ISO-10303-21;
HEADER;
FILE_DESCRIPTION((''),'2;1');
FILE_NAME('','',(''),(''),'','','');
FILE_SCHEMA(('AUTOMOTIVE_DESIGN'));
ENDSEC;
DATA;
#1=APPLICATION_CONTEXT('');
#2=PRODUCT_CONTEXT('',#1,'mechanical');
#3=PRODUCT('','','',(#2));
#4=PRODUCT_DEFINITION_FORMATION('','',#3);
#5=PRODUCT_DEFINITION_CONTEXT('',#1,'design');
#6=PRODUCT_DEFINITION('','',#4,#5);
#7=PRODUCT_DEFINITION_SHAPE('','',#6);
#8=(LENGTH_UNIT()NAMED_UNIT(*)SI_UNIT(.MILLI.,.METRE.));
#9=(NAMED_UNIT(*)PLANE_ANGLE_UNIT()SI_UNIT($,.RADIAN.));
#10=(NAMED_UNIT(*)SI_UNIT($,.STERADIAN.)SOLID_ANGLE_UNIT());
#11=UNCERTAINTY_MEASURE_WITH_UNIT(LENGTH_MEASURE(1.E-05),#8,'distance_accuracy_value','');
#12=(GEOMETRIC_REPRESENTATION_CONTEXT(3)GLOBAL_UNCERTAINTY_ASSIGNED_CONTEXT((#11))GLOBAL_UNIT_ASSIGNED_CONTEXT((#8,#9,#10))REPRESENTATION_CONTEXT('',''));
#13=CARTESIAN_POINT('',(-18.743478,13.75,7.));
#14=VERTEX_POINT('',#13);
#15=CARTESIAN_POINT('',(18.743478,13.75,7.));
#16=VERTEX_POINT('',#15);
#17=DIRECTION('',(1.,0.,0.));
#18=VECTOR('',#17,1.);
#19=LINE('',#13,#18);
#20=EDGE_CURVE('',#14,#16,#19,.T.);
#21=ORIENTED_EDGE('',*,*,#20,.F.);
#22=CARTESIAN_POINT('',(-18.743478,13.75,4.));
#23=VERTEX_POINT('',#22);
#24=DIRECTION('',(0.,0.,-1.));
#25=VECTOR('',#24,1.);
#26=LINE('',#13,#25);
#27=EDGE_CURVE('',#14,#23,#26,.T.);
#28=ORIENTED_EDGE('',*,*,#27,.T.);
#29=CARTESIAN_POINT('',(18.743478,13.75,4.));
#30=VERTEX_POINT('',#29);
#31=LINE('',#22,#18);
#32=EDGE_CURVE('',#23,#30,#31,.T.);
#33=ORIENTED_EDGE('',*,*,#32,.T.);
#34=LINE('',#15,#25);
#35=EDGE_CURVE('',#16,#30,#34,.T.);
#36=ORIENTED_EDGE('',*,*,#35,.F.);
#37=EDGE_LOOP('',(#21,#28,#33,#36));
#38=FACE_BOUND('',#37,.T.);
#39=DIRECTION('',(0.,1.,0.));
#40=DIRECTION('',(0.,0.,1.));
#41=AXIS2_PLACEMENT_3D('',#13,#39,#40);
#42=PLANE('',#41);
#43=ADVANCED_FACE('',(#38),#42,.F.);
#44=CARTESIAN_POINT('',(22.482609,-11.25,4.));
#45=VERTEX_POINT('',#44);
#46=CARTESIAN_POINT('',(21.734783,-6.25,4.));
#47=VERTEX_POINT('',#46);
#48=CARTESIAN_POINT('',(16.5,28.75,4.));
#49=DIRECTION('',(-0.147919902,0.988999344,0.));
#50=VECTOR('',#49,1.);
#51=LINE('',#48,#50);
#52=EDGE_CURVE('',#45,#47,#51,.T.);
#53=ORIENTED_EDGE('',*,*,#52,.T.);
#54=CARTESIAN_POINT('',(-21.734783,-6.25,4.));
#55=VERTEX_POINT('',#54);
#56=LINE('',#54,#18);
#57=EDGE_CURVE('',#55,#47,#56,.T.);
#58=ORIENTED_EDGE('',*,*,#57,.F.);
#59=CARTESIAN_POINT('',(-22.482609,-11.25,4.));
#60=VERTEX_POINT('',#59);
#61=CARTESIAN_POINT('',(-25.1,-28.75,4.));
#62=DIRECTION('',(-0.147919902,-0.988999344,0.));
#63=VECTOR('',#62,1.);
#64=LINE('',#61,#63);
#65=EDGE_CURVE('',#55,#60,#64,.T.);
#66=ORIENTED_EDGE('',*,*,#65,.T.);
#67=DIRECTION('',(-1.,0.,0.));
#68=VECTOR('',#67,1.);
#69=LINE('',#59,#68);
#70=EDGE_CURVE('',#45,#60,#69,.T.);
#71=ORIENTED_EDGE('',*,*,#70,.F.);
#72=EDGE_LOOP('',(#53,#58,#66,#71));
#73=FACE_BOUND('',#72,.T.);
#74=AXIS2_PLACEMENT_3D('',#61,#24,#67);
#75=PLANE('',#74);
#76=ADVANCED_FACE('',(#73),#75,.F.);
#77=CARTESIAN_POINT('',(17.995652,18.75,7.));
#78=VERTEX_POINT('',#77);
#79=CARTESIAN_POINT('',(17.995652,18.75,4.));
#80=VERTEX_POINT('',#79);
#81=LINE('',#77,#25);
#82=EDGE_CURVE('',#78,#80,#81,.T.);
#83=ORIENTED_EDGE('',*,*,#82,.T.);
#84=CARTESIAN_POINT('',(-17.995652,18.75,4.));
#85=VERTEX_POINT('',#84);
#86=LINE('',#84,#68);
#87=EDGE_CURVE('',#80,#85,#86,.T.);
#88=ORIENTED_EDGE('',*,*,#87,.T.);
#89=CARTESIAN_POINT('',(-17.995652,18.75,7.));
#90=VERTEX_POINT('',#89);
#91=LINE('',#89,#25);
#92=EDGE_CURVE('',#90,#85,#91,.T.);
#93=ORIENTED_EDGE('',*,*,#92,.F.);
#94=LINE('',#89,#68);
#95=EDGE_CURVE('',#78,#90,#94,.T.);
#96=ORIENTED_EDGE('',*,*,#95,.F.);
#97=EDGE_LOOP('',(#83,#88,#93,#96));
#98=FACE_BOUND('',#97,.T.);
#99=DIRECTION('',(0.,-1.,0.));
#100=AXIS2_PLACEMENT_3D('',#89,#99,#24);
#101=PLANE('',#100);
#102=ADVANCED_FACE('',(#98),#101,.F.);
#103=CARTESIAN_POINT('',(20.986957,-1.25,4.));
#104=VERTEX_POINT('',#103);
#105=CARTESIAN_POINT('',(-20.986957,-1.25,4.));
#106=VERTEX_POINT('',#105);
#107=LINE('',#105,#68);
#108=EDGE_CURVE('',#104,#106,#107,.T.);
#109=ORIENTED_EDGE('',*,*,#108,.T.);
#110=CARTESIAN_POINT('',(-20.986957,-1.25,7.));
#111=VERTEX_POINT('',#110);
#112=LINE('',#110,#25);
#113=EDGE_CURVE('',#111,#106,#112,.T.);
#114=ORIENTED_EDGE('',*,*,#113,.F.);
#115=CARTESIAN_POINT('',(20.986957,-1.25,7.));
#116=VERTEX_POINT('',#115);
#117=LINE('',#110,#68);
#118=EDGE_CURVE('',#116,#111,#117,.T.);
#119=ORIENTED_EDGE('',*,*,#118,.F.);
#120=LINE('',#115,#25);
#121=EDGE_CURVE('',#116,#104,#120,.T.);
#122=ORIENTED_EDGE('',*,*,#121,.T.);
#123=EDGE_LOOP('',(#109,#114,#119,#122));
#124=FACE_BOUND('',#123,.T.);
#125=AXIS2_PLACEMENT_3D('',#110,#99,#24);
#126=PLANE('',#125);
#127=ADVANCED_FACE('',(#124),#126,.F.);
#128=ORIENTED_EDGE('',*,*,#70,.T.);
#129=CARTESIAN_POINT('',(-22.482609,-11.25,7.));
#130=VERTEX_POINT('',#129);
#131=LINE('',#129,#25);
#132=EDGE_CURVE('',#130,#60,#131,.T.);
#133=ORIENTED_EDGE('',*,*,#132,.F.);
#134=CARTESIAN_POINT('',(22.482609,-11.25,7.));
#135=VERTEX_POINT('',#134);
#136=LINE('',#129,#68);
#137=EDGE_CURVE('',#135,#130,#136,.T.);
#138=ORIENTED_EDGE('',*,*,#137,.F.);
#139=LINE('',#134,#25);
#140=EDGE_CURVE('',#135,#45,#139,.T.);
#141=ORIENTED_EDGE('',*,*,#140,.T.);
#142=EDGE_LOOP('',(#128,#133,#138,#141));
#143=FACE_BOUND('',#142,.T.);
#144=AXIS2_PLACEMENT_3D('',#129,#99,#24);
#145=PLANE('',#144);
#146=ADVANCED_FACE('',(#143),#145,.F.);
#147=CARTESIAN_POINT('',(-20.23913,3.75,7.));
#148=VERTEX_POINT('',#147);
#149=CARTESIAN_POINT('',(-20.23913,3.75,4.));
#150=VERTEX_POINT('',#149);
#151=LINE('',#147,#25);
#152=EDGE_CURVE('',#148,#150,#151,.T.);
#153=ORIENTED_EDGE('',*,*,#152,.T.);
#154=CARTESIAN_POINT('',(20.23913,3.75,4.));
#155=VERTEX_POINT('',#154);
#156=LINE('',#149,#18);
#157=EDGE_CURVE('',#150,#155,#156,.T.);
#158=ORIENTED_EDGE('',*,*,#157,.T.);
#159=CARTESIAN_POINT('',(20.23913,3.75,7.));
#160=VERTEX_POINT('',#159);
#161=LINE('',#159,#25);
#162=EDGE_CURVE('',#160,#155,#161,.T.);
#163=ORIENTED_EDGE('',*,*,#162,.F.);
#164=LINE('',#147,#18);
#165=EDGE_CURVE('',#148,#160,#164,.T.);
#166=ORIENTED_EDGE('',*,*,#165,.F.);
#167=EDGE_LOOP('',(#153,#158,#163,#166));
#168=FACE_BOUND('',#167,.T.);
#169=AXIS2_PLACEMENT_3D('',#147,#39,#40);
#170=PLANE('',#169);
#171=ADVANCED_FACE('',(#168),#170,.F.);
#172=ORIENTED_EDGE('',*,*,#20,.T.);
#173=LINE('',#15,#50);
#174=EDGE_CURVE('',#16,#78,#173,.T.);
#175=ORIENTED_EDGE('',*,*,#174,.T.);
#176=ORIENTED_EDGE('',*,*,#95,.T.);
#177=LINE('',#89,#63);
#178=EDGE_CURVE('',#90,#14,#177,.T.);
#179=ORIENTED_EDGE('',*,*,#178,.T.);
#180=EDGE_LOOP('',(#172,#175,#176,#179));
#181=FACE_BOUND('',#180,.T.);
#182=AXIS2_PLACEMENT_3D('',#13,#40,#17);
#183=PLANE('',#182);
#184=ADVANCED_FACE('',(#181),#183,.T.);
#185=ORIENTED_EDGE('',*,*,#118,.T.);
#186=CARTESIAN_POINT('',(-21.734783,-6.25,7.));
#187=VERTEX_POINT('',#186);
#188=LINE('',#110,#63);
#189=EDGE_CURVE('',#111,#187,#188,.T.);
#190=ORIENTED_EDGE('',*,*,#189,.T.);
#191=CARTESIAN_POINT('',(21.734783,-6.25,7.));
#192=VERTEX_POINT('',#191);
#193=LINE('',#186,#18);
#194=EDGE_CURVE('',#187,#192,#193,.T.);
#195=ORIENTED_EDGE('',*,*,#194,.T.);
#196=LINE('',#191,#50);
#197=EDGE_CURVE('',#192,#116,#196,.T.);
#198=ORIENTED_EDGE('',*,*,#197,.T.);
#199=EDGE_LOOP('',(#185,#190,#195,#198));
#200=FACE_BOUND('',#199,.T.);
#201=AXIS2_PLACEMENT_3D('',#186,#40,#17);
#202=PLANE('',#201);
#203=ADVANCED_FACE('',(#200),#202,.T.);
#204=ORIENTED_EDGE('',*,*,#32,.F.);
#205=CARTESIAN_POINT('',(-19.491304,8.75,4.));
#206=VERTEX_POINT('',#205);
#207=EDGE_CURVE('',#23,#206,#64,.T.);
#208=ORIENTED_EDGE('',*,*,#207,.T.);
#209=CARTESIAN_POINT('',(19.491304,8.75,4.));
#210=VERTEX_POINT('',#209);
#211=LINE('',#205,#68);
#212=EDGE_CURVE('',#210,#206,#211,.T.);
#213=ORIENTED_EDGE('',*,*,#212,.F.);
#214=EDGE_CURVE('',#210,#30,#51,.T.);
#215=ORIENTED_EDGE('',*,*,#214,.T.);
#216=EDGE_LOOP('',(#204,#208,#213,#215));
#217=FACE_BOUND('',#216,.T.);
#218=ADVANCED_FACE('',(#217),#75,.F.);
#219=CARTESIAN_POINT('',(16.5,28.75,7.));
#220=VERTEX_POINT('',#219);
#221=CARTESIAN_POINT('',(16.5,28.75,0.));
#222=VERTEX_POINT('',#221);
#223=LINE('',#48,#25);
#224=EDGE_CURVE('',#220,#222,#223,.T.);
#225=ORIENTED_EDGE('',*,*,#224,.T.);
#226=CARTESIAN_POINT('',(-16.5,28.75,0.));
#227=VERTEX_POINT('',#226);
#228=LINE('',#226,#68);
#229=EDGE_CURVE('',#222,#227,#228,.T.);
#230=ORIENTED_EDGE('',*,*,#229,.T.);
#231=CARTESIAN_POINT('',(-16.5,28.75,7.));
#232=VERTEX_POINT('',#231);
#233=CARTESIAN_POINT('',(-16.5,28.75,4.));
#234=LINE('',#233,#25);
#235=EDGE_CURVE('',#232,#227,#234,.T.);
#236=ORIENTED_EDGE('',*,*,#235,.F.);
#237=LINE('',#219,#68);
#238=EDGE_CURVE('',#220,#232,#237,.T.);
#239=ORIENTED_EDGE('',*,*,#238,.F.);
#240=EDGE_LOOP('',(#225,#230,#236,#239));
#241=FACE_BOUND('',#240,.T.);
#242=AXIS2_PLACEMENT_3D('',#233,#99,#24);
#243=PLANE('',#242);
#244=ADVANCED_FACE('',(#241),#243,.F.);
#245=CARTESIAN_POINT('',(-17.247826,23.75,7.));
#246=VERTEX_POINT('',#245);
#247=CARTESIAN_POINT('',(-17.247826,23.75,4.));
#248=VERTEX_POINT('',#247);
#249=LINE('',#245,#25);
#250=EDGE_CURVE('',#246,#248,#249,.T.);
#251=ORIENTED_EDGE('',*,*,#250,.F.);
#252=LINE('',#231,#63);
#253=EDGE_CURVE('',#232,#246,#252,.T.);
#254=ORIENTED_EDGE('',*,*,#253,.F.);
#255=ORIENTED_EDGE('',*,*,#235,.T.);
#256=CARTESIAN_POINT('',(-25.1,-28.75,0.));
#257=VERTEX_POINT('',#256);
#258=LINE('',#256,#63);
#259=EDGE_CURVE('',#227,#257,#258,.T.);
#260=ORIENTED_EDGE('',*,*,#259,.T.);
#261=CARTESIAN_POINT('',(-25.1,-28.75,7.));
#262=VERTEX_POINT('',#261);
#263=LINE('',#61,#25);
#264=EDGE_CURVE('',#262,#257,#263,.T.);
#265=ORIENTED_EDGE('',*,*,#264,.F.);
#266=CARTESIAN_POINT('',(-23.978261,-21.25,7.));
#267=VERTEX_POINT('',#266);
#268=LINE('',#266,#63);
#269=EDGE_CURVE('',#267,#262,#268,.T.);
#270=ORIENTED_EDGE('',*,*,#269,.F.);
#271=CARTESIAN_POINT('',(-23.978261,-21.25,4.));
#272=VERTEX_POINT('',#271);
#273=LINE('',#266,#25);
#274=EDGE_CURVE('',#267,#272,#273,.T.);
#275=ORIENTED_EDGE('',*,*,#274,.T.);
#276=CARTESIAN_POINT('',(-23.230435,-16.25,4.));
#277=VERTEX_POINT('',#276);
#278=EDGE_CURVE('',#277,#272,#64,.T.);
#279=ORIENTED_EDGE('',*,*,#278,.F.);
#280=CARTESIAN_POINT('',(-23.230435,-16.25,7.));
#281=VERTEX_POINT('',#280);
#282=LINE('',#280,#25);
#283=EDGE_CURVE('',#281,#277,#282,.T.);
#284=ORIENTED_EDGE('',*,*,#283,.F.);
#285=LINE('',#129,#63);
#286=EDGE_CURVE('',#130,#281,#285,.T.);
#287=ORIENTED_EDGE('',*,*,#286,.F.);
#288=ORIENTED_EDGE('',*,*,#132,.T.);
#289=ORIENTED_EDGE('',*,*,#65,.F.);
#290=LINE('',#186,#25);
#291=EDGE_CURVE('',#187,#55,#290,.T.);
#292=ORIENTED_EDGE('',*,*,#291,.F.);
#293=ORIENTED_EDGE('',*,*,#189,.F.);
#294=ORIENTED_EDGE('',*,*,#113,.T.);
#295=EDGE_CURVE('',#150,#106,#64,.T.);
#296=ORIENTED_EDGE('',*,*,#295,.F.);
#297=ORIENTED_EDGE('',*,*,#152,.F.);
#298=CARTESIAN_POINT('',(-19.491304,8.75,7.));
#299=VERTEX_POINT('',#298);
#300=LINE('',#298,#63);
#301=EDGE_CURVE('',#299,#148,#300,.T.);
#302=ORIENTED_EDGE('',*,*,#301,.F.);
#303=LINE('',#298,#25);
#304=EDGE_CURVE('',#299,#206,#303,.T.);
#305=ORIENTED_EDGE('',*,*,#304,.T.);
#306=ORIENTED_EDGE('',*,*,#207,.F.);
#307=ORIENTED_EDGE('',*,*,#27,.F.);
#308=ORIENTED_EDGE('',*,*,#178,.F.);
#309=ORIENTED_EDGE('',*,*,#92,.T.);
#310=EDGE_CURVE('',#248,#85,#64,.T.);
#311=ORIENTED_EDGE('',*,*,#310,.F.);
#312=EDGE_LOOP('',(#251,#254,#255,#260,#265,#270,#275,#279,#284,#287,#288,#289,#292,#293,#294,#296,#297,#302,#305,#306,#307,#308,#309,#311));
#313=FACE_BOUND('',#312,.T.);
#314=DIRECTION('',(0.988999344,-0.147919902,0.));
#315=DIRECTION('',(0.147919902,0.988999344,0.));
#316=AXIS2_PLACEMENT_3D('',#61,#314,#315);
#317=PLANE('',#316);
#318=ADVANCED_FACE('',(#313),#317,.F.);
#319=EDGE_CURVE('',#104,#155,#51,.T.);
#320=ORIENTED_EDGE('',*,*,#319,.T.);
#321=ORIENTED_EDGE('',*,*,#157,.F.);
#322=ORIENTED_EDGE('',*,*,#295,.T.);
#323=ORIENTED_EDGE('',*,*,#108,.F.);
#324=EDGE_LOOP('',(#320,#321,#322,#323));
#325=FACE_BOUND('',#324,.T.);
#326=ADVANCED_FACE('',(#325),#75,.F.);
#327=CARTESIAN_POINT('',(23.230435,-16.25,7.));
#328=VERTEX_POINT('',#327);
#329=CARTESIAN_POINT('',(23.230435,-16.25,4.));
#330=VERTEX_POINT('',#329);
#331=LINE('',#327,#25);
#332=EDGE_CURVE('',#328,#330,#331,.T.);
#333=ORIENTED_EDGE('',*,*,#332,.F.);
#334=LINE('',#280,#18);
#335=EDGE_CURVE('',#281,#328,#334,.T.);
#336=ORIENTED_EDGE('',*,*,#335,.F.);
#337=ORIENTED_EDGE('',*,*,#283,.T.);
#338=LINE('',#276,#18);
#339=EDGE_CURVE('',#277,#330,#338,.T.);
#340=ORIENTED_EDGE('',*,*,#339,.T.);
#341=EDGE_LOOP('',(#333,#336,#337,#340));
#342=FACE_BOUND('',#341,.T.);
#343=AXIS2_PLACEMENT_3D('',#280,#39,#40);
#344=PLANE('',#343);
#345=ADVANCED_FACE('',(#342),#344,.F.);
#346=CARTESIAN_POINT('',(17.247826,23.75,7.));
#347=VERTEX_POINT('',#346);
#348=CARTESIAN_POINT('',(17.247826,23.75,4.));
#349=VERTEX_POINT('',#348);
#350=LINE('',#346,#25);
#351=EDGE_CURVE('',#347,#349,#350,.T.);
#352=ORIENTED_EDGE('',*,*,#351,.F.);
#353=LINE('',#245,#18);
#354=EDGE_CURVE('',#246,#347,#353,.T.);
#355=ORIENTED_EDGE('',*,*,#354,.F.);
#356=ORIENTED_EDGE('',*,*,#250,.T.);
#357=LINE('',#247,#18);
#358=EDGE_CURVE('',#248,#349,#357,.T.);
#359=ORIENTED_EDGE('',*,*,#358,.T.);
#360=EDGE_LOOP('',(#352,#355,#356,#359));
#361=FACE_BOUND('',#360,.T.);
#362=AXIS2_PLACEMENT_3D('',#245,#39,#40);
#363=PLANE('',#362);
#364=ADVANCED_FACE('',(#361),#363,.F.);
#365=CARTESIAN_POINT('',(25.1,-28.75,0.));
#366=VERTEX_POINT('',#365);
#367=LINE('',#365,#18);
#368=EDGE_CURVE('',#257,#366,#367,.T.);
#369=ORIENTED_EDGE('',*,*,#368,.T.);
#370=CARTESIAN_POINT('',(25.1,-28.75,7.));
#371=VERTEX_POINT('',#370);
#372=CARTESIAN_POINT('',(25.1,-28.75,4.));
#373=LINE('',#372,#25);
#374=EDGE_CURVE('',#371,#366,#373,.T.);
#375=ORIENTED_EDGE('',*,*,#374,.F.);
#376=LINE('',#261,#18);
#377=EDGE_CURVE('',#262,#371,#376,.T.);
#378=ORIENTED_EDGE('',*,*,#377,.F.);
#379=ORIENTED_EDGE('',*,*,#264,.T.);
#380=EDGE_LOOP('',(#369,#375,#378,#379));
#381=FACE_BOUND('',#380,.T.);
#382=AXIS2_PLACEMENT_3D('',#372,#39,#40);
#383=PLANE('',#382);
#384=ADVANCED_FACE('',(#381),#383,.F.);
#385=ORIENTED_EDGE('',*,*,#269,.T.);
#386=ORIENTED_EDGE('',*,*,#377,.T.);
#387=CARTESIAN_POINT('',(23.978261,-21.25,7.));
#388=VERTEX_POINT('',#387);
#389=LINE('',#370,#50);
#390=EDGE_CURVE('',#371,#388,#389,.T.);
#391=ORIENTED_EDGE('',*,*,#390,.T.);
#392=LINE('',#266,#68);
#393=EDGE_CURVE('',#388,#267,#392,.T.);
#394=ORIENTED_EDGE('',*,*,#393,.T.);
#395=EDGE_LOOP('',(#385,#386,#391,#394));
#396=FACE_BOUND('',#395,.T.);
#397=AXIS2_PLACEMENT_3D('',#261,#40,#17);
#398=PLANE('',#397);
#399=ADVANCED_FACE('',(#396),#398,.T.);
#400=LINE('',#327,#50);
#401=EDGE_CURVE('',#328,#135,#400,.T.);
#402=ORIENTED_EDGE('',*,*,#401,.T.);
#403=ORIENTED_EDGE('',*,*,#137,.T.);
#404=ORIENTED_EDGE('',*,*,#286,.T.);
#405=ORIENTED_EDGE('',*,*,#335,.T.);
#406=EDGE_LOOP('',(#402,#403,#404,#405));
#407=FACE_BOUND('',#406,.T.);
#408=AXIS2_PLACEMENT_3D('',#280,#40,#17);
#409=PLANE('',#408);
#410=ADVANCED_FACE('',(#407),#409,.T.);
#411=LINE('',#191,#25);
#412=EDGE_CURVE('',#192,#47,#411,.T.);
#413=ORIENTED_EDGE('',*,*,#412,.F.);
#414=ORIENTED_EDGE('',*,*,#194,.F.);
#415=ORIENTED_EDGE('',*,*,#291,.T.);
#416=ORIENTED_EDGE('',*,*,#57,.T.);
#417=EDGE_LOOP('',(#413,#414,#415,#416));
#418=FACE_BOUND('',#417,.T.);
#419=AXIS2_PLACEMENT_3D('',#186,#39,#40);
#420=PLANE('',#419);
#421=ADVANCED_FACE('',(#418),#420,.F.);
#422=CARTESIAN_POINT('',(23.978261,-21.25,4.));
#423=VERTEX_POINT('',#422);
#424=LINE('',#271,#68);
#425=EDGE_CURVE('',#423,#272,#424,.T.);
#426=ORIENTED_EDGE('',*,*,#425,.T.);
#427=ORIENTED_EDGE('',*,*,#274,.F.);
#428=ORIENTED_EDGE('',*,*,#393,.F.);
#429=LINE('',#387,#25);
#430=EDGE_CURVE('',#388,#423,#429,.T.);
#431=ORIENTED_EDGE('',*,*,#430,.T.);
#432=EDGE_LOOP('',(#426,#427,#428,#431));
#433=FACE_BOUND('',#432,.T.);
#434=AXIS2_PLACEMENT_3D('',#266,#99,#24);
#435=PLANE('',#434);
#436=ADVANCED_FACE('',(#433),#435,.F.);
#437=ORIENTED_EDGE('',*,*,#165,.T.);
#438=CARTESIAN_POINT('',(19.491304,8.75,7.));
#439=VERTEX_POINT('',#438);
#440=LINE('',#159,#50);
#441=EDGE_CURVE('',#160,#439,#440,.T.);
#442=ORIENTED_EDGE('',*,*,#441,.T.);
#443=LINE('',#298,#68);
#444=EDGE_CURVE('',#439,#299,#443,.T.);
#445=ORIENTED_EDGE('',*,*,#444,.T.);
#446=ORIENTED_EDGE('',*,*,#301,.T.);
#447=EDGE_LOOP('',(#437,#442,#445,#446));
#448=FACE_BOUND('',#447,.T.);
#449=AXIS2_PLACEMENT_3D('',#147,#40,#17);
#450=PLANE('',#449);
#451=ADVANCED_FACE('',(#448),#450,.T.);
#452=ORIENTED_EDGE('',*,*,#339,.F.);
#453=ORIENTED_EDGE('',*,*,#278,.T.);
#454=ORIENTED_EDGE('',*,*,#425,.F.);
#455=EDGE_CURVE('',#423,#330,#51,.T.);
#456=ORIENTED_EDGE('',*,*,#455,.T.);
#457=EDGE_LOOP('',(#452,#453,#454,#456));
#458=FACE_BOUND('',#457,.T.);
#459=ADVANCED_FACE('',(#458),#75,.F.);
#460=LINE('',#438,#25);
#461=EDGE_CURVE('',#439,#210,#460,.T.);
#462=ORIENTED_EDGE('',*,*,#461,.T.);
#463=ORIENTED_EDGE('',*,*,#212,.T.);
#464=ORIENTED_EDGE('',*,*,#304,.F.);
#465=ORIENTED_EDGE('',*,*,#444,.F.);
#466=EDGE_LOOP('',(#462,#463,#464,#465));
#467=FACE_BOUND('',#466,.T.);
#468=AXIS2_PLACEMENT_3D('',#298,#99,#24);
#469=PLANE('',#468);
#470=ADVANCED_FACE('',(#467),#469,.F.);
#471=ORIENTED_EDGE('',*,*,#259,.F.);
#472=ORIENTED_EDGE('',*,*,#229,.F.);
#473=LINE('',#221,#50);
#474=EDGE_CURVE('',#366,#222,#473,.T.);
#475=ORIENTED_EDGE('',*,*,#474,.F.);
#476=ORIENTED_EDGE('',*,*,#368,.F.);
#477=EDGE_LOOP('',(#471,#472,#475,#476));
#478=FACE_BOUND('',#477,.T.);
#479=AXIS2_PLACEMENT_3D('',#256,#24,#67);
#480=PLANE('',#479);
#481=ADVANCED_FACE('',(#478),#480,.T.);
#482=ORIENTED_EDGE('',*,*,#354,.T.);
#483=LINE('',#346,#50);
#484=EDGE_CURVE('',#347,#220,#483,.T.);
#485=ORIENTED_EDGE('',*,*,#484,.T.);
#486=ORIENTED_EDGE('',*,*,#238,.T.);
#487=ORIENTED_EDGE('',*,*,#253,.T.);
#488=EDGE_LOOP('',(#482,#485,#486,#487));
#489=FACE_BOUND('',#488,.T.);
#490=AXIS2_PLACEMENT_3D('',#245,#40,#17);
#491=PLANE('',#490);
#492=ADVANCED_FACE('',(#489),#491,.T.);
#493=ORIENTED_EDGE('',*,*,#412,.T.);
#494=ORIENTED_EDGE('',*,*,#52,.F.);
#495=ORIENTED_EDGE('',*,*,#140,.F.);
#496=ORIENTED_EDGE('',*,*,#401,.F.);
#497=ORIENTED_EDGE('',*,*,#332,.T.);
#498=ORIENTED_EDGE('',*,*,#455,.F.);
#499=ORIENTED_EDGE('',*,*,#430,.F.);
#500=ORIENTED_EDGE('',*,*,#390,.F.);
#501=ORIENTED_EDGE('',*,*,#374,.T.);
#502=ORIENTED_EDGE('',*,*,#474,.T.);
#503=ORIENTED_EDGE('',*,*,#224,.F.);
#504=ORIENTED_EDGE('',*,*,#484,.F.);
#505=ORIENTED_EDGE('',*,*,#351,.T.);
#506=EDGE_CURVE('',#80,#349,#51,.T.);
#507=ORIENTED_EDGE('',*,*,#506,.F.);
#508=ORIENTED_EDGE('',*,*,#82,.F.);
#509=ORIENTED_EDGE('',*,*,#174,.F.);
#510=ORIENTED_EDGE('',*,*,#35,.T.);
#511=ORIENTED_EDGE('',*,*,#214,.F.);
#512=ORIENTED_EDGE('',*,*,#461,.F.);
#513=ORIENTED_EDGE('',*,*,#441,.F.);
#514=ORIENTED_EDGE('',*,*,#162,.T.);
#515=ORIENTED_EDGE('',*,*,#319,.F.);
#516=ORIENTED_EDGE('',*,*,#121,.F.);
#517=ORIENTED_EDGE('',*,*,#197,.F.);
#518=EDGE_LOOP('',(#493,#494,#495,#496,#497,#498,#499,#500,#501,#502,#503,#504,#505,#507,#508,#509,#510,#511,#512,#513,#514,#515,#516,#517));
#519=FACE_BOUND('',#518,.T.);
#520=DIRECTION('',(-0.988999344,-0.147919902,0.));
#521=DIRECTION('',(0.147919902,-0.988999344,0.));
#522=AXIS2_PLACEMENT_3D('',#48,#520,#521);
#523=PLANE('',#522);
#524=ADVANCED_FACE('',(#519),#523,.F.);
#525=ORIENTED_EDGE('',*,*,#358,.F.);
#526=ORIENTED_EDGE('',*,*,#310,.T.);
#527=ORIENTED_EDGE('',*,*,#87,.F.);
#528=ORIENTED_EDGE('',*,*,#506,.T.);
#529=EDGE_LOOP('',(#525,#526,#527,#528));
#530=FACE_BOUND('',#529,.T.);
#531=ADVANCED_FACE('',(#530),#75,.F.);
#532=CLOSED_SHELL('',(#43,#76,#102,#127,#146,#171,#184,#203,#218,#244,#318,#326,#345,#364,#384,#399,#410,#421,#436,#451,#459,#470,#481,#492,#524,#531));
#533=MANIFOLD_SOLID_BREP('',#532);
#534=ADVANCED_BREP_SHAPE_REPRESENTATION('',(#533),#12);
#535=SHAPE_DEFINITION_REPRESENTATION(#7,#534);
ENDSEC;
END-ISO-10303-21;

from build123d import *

# Parameters (mm, degrees)
EXTRUDE1_DEPTH = 4
EXTRUDE2_DEPTH = 3


with BuildPart() as part:
    # Sketch1 → Extrude1 (new body)
    with BuildSketch(Plane.XY):
        Polygon((-25.1, -28.75), (-16.5, 28.75), (16.5, 28.75), (25.1, -28.75), align=None)
    extrude(amount=EXTRUDE1_DEPTH)

    # Sketch2 → Extrude2 (add)
    with BuildSketch(Plane.XY.offset(4)):
        Polygon((-17.247826087, 23.75), (17.247826087, 23.75), (16.5, 28.75), (-16.5, 28.75), align=None)
        Polygon((-17.995652174, 18.75), (17.995652174, 18.75), (18.743478261, 13.75), (-18.743478261, 13.75), align=None)
        Polygon((-19.491304348, 8.75), (19.491304348, 8.75), (20.239130435, 3.75), (-20.239130435, 3.75), align=None)
        Polygon((-25.1, -28.75), (25.1, -28.75), (23.97826087, -21.25), (-23.97826087, -21.25), align=None)
        Polygon((-20.986956522, -1.25), (20.986956522, -1.25), (21.734782609, -6.25), (-21.734782609, -6.25), align=None)
        Polygon((-22.482608696, -11.25), (22.482608696, -11.25), (23.230434783, -16.25), (-23.230434783, -16.25), align=None)
    extrude(amount=EXTRUDE2_DEPTH)


solid = part.part
